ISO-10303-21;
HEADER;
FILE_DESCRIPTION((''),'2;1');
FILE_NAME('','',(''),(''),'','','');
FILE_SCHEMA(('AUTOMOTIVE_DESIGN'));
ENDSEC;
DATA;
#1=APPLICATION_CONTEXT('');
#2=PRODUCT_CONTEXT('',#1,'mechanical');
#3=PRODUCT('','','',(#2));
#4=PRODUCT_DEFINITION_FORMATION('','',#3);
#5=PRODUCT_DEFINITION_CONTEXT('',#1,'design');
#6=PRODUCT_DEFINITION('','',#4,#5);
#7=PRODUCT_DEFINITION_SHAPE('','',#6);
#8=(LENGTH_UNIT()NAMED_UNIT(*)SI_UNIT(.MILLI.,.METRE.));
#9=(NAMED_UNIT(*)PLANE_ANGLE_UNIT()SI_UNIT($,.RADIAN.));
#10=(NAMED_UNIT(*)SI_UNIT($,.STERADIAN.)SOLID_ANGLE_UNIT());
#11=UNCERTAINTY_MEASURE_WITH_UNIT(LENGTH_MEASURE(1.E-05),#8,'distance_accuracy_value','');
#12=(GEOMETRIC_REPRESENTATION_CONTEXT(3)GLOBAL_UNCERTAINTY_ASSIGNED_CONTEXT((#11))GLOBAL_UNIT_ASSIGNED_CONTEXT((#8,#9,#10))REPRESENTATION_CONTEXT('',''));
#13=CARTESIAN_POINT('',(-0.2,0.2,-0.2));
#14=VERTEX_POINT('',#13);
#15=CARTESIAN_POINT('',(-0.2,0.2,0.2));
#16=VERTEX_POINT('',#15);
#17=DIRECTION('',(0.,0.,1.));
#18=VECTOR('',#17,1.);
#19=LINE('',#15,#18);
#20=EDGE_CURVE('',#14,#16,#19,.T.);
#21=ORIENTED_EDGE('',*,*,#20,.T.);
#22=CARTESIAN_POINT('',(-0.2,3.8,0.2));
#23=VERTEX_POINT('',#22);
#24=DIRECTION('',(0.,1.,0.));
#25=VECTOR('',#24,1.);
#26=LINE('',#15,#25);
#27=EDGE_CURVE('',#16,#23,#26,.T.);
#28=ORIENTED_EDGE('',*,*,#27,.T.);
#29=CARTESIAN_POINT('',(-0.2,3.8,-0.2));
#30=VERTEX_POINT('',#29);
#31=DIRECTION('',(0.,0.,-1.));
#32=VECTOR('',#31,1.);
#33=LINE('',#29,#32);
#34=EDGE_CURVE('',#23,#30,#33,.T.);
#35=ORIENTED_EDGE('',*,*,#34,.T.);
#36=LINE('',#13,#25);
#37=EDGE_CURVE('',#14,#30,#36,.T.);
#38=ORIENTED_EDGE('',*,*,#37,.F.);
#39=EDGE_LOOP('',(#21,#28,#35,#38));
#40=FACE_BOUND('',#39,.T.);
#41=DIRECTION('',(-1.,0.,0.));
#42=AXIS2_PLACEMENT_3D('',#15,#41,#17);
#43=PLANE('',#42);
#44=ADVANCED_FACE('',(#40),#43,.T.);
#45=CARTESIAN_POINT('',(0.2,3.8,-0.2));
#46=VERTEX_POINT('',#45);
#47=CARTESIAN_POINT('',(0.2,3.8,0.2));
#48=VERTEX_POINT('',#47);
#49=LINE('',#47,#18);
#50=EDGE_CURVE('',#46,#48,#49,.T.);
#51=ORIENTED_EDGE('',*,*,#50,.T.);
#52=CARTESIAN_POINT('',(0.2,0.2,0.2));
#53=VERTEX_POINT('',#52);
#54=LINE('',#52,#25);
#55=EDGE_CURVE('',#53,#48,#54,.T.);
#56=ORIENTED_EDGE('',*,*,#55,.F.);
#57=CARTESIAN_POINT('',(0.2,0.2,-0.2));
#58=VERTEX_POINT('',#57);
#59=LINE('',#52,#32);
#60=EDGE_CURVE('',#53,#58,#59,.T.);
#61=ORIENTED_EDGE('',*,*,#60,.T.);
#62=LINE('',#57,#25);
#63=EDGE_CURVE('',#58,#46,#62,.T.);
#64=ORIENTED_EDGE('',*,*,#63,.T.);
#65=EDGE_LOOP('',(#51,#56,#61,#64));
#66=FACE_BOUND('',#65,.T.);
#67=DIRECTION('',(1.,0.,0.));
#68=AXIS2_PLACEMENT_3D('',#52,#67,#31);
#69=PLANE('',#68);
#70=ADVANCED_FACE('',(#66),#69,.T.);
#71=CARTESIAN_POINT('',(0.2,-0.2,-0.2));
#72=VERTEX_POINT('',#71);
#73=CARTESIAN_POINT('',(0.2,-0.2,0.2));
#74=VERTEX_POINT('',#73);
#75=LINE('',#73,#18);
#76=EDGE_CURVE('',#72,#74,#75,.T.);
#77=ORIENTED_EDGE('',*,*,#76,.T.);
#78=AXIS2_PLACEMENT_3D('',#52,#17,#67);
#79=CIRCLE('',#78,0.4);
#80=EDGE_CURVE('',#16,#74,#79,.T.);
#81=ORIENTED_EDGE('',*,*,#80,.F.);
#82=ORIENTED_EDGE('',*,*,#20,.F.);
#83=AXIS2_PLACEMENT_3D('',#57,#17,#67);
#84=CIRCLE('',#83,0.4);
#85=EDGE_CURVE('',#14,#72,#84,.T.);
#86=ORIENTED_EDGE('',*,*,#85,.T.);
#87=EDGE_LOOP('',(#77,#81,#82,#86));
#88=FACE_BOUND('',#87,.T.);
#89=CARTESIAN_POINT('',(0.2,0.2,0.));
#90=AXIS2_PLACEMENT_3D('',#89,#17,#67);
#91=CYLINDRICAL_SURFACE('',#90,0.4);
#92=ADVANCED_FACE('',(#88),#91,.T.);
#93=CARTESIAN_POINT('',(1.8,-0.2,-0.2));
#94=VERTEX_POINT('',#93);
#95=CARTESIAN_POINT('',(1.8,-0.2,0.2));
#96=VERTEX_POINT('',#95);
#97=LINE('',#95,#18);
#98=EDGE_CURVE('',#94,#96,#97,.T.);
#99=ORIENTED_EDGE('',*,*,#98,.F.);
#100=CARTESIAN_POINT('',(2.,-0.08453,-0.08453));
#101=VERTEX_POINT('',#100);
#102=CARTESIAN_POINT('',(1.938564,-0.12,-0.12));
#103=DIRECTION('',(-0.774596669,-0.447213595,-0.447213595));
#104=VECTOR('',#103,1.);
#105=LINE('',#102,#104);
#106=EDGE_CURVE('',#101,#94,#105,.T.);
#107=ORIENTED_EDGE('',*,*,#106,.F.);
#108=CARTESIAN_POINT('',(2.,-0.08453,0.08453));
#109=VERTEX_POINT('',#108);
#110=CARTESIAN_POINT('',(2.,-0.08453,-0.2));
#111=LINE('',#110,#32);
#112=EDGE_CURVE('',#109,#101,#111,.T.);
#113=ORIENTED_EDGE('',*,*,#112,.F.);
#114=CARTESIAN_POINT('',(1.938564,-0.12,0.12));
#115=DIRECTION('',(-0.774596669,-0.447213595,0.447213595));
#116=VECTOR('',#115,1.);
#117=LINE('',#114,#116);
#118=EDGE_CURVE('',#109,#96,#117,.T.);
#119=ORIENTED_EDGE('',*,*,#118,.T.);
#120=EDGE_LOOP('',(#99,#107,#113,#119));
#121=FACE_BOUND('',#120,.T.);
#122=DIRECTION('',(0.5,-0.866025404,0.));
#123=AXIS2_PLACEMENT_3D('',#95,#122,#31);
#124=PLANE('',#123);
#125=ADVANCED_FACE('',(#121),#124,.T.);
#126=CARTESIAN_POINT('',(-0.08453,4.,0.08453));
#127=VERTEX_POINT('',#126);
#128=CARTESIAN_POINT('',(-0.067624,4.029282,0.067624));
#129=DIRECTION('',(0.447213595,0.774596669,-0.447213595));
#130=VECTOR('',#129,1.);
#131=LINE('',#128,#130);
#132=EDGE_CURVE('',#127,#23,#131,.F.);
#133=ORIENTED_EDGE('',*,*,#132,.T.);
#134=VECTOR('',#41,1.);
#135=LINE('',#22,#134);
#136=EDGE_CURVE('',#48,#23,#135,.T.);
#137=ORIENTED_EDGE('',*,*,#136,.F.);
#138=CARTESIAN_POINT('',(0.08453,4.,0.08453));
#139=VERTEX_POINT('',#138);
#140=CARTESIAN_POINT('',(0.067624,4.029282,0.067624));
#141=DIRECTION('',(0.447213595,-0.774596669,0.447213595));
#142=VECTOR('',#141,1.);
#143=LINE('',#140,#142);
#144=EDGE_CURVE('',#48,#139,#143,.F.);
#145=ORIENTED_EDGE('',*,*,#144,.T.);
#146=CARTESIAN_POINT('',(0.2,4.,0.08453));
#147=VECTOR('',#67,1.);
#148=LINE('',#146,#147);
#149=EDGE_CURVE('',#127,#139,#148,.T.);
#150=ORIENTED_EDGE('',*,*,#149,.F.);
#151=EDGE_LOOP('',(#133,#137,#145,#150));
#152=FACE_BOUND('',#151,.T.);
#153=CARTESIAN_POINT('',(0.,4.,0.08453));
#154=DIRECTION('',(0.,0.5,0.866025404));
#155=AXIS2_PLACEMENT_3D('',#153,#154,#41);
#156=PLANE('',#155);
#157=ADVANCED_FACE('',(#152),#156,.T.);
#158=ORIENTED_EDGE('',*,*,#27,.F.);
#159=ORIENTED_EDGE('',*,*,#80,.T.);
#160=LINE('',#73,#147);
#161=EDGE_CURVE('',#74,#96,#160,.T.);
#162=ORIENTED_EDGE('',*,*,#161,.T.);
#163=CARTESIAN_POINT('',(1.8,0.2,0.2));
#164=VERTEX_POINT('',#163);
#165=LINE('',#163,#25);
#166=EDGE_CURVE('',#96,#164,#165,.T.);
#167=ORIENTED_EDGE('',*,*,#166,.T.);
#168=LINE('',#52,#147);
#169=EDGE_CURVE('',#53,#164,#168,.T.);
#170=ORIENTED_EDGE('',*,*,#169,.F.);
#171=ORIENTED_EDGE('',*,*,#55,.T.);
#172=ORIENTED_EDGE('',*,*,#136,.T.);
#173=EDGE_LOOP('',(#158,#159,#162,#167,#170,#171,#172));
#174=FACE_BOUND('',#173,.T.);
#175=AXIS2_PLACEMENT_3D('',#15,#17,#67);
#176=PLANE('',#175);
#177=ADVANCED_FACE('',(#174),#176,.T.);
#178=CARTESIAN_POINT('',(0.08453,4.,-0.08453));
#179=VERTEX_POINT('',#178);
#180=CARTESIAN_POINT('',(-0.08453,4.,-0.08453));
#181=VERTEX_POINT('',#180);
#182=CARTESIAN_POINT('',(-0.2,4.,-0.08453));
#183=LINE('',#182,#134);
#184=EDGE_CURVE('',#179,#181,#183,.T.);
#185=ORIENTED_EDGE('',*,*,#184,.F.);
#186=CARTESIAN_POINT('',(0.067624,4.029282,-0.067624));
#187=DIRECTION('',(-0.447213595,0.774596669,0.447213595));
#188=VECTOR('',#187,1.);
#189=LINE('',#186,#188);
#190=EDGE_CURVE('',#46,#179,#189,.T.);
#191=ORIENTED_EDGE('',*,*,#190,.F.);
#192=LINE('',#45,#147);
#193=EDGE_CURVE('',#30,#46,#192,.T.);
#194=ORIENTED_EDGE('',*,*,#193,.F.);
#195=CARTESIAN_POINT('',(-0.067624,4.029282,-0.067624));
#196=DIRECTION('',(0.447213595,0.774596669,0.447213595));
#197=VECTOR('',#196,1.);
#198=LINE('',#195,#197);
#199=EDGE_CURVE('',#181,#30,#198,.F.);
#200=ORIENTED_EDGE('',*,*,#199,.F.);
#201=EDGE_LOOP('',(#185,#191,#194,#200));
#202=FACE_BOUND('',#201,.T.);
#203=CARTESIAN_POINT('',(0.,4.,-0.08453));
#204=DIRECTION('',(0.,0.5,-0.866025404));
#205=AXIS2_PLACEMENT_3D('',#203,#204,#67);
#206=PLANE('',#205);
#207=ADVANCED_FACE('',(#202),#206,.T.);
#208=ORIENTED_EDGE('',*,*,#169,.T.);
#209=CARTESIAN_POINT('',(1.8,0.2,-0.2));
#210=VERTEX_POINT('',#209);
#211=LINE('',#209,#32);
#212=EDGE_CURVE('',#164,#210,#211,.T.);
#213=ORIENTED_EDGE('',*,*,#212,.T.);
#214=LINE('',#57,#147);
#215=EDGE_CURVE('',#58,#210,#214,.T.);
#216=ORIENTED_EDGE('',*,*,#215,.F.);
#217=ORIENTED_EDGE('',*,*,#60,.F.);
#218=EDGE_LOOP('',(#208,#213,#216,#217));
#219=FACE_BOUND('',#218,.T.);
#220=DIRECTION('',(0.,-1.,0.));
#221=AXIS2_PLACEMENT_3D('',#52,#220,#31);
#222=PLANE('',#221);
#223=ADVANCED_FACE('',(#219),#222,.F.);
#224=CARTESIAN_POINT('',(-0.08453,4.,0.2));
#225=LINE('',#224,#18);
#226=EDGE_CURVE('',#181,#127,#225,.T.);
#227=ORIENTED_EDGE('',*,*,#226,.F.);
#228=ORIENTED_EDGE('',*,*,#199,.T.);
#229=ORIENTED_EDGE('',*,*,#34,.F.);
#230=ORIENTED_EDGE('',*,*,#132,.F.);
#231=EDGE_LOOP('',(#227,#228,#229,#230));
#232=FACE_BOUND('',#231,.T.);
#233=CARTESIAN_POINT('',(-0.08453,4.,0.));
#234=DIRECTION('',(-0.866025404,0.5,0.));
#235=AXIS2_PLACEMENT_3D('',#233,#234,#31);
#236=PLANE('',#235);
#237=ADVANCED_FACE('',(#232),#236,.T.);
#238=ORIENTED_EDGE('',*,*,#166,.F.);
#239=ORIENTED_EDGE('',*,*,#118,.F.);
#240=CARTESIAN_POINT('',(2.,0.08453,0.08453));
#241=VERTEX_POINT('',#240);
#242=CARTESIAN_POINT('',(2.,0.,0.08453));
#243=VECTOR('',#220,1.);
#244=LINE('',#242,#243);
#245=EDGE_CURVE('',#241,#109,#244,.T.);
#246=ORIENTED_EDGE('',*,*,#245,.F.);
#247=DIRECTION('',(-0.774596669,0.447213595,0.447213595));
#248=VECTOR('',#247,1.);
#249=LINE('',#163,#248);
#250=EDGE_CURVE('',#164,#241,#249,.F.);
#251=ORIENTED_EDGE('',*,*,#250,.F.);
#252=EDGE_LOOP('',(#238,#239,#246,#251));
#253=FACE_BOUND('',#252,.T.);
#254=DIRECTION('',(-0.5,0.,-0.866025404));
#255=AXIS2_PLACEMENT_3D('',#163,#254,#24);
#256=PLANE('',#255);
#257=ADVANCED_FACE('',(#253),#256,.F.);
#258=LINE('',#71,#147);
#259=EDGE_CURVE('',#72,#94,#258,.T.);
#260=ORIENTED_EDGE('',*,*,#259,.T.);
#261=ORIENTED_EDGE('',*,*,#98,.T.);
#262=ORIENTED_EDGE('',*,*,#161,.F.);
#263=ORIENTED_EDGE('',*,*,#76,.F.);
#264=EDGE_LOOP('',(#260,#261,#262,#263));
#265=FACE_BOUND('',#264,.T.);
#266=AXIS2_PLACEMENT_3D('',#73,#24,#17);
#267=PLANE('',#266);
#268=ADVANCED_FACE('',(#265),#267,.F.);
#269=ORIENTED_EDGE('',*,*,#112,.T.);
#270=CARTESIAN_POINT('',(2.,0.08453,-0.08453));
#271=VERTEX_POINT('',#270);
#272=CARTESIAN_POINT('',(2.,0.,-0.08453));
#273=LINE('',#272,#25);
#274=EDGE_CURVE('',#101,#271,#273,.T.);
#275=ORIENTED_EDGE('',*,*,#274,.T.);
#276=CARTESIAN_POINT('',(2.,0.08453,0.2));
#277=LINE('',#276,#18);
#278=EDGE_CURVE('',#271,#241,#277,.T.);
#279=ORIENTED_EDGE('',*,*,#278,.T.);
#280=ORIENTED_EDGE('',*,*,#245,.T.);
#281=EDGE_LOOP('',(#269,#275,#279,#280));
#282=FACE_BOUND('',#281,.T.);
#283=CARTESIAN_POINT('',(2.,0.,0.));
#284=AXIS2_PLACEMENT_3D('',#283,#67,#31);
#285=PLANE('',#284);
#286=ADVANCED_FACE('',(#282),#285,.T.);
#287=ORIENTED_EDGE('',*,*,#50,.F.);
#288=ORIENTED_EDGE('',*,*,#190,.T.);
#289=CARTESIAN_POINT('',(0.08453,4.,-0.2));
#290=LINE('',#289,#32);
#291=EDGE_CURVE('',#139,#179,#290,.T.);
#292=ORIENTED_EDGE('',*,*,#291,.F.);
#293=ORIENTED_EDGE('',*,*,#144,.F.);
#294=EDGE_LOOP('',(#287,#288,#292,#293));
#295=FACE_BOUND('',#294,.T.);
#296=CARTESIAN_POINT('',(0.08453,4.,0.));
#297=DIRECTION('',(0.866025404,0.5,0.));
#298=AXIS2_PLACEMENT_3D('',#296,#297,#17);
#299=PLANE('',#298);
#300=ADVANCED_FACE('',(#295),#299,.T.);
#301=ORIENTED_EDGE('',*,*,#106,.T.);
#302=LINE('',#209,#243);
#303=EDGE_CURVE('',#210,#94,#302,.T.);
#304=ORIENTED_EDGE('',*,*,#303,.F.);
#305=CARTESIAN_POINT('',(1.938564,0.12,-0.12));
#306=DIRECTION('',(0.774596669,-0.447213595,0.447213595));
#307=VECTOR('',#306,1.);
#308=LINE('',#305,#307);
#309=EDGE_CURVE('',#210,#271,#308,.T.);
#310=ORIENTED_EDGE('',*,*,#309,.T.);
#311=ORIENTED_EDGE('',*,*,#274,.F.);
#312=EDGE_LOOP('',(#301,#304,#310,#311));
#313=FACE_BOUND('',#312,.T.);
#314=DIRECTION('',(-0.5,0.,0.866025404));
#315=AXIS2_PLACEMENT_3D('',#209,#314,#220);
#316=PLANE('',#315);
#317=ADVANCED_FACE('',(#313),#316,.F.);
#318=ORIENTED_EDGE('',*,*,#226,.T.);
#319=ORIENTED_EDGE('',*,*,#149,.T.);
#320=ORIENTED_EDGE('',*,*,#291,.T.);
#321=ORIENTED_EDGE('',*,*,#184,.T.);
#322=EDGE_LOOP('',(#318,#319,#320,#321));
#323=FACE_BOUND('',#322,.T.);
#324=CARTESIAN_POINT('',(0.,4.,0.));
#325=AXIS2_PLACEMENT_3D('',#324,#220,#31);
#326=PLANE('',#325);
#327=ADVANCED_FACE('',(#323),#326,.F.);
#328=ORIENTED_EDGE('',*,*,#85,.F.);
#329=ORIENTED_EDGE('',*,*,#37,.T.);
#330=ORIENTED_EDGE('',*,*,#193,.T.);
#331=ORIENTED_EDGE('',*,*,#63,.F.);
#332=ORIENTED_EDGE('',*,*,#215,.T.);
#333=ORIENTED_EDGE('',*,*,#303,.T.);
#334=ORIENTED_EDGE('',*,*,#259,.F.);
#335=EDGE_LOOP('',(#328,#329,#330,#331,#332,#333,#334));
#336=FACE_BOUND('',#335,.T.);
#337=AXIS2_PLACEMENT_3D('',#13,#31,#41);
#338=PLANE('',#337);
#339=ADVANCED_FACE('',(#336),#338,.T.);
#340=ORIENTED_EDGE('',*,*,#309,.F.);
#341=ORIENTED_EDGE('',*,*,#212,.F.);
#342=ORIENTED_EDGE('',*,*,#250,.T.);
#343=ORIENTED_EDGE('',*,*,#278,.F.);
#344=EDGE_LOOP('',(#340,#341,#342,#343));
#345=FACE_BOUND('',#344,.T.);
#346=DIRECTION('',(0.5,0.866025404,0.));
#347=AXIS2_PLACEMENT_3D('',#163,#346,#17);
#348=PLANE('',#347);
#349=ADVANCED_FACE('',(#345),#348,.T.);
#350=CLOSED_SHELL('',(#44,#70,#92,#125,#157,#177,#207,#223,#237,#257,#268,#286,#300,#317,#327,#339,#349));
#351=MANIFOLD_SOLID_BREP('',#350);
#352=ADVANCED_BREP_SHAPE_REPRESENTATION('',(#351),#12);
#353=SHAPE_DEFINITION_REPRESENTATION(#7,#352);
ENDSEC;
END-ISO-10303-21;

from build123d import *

# Parameters (mm, degrees)
SKETCH2_W             = 0.4
SKETCH2_H             = 0.4
CHAMFER1_SIZE         = 0.2
CHAMFER1_SIZE2        = 0.115470054
CHAMFER1_PART_2_SIZE  = 0.2
CHAMFER1_PART_2_SIZE2 = 0.115470054
CHAMFER1_PART_3_SIZE  = 0.2
CHAMFER1_PART_3_SIZE2 = 0.115470054
CHAMFER1_PART_4_SIZE  = 0.2
CHAMFER1_PART_4_SIZE2 = 0.115470054
CHAMFER2_SIZE         = 0.2
CHAMFER2_SIZE2        = 0.115470054
CHAMFER2_PART_2_SIZE  = 0.2
CHAMFER2_PART_2_SIZE2 = 0.115470054
CHAMFER2_PART_3_SIZE  = 0.2
CHAMFER2_PART_3_SIZE2 = 0.115470054
CHAMFER2_PART_4_SIZE  = 0.2
CHAMFER2_PART_4_SIZE2 = 0.115470054


with BuildPart() as part:
    # Sweep1: sweep along a path in Sketch1
    with BuildLine(Plane.XY) as sweep1_path:
        Line((0, 4), (0, 0.2))
        ThreePointArc((0, 0.2), (0.058578644, 0.058578644), (0.2, 0))
        Line((0.2, 0), (2, 0))
    # Sketch2 → Sweep1 (sweep)
    with BuildSketch(Plane(origin=(0, 4, 0), x_dir=(1, 0, 0), z_dir=(0, 1, 0))):
        Rectangle(SKETCH2_W, SKETCH2_H)
    sweep(path=sweep1_path.line)

    # Chamfer1
    chamfer1_edges = [part.edges().sort_by_distance(p)[0] for p in [
        (0, 4, 0.2),
    ]]
    chamfer1_side = [part.faces().sort_by_distance(p)[0] for p in [
        (-0.152586922, 2.1, 0.2),
    ]]
    chamfer(chamfer1_edges, length=CHAMFER1_SIZE, length2=CHAMFER1_SIZE2, reference=chamfer1_side[0])

    # Chamfer1 part 2
    chamfer1_part_2_edges = [part.edges().sort_by_distance(p)[0] for p in [
        (-0.2, 4, 0),
    ]]
    chamfer1_part_2_side = [part.faces().sort_by_distance(p)[0] for p in [
        (-0.2, 2.1, 0),
    ]]
    chamfer(chamfer1_part_2_edges, length=CHAMFER1_PART_2_SIZE, length2=CHAMFER1_PART_2_SIZE2, reference=chamfer1_part_2_side[0])

    # Chamfer1 part 3
    chamfer1_part_3_edges = [part.edges().sort_by_distance(p)[0] for p in [
        (0, 4, -0.2),
    ]]
    chamfer1_part_3_side = [part.faces().sort_by_distance(p)[0] for p in [
        (0.152586922, 2.1, -0.2),
    ]]
    chamfer(chamfer1_part_3_edges, length=CHAMFER1_PART_3_SIZE, length2=CHAMFER1_PART_3_SIZE2, reference=chamfer1_part_3_side[0])

    # Chamfer1 part 4
    chamfer1_part_4_edges = [part.edges().sort_by_distance(p)[0] for p in [
        (0.2, 4, 0),
    ]]
    chamfer1_part_4_side = [part.faces().sort_by_distance(p)[0] for p in [
        (0.2, 2.1, 0),
    ]]
    chamfer(chamfer1_part_4_edges, length=CHAMFER1_PART_4_SIZE, length2=CHAMFER1_PART_4_SIZE2, reference=chamfer1_part_4_side[0])

    # Chamfer2
    chamfer2_edges = [part.edges().sort_by_distance(p)[0] for p in [
        (2, 0.2, 0),
    ]]
    chamfer2_side = [part.faces().sort_by_distance(p)[0] for p in [
        (1.1, 0.2, 0),
    ]]
    chamfer(chamfer2_edges, length=CHAMFER2_SIZE, length2=CHAMFER2_SIZE2, reference=chamfer2_side[0])

    # Chamfer2 part 2
    chamfer2_part_2_edges = [part.edges().sort_by_distance(p)[0] for p in [
        (2, 0, -0.2),
    ]]
    chamfer2_part_2_side = [part.faces().sort_by_distance(p)[0] for p in [
        (0.154349151, 2, -0.2),
    ]]
    chamfer(chamfer2_part_2_edges, length=CHAMFER2_PART_2_SIZE, length2=CHAMFER2_PART_2_SIZE2, reference=chamfer2_part_2_side[0])

    # Chamfer2 part 3
    chamfer2_part_3_edges = [part.edges().sort_by_distance(p)[0] for p in [
        (2, -0.2, 0),
    ]]
    chamfer2_part_3_side = [part.faces().sort_by_distance(p)[0] for p in [
        (1.1, -0.2, 0),
    ]]
    chamfer(chamfer2_part_3_edges, length=CHAMFER2_PART_3_SIZE, length2=CHAMFER2_PART_3_SIZE2, reference=chamfer2_part_3_side[0])

    # Chamfer2 part 4
    chamfer2_part_4_edges = [part.edges().sort_by_distance(p)[0] for p in [
        (2, 0, 0.2),
    ]]
    chamfer2_part_4_side = [part.faces().sort_by_distance(p)[0] for p in [
        (-0.154349151, 2, 0.2),
    ]]
    chamfer(chamfer2_part_4_edges, length=CHAMFER2_PART_4_SIZE, length2=CHAMFER2_PART_4_SIZE2, reference=chamfer2_part_4_side[0])


solid = part.part
